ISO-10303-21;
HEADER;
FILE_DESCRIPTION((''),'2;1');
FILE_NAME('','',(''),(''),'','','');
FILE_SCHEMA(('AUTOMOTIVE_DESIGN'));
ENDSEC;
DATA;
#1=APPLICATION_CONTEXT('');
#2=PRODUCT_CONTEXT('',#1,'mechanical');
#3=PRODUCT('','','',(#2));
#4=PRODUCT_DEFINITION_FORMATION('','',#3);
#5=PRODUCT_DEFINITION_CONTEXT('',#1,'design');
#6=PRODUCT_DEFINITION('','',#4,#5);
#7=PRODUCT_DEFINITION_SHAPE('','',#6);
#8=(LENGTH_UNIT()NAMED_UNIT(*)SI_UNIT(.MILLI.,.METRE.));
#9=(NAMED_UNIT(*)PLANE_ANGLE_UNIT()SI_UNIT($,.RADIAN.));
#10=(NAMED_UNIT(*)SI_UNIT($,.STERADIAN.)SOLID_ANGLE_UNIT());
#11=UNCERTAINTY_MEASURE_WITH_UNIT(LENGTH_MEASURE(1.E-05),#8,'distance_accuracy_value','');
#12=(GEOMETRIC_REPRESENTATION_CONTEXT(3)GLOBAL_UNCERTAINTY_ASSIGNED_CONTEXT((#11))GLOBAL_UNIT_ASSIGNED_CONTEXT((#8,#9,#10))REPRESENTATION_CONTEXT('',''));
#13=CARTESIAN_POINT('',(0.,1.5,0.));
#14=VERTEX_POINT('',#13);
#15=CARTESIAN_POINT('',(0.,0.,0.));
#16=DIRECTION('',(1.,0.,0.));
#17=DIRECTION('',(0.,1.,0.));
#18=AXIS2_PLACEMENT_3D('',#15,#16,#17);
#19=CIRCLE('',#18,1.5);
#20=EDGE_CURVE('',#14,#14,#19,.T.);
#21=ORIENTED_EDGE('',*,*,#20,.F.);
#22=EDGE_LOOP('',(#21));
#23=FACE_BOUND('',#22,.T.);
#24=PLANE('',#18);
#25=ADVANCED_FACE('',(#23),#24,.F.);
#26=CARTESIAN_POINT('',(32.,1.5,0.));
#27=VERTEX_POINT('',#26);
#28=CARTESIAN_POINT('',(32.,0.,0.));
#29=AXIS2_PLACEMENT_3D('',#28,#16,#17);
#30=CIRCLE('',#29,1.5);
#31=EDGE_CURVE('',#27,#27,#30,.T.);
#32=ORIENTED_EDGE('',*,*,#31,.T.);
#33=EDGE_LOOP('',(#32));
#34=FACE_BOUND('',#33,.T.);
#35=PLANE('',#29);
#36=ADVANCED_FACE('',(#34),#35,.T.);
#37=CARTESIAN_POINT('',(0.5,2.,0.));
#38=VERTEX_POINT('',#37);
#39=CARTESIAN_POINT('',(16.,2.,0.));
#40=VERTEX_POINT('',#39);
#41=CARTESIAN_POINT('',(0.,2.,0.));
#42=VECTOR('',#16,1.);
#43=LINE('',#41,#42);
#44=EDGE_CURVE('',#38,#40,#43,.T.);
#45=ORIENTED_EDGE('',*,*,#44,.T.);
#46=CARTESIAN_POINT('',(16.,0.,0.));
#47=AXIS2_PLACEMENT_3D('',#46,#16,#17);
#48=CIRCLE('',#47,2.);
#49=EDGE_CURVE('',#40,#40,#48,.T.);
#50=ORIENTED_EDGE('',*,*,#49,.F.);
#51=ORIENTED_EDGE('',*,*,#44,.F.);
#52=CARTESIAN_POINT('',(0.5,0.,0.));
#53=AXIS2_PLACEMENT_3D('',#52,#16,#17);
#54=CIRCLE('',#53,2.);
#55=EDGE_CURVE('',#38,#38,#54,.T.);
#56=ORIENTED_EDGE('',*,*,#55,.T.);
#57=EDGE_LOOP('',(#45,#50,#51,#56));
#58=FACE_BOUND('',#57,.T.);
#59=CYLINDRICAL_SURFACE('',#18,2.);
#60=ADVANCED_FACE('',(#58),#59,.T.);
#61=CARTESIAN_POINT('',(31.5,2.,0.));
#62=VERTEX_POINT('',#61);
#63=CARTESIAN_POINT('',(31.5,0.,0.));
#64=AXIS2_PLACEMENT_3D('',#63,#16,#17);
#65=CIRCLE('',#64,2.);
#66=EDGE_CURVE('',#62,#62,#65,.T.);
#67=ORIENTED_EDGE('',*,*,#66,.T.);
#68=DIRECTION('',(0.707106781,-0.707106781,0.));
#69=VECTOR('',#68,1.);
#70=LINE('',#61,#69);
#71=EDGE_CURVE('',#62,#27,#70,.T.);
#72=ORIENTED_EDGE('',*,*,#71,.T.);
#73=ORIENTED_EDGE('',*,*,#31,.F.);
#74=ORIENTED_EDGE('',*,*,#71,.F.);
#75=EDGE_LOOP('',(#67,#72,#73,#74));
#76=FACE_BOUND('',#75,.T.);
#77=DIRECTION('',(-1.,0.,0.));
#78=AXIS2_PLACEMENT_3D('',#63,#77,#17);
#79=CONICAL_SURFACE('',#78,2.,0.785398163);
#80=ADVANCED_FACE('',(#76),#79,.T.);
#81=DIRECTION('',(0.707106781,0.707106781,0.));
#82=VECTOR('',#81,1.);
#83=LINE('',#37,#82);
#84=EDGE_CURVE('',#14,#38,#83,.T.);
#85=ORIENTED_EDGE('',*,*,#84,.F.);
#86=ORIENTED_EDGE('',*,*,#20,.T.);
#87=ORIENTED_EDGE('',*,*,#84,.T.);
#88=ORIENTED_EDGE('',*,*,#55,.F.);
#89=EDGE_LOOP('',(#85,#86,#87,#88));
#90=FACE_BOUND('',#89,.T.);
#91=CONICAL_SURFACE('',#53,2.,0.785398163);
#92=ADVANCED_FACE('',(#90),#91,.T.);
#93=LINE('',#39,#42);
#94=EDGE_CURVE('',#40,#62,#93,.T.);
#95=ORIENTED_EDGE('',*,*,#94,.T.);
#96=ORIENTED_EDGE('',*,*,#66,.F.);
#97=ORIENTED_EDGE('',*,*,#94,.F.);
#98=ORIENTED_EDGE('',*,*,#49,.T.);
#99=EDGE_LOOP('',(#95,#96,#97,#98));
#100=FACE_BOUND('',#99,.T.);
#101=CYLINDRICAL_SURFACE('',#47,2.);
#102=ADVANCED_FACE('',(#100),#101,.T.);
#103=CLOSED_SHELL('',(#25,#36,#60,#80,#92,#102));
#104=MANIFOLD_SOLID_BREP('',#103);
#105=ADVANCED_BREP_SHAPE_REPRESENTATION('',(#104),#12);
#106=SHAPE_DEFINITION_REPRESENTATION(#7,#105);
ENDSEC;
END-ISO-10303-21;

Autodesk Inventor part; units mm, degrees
ref_plane "Startebene" through (0, 0, 0) normal (1, 0, 0) x (0, 1, 0)
ref_plane "XZ Plane" through (0, 0, 0) normal (0, 1, 0) x (-1, 0, 0)
ref_plane "XY Plane" through (0, 0, 0) normal (0, 0, 1) x (1, 0, 0)
sketch "Hauptskizze" plane through (0, 0, 0) normal (0, 0, 1) x (1, 0, 0)
  line L0 (0, 0) -> (32, 0)
  line L1 (0, 0) -> (0, 2)
  line L2 (0, 2) -> (16, 2)
  line L3 (32, 2) -> (32, 0)
  line L4 (16, 2) -> (32, 2)
  dimension "d3" = 4
  dimension "d5" = 4
revolve "Umdrehung1" add sketch "Hauptskizze" angle 360 about axis through (0, 0, 0) along (1, 0, 0)
chamfer "Fase3" distance 0.5 angle 45 1 edges at (0, -2, 0) measured on face at (10.6667, 1.9741, -0.3208)
chamfer "Fase2" distance 0.5 angle 45 1 edges at (32, -2, 0) measured on face at (26.6667, 1.9935, -0.1609)
properties part number "Welle" material "Steel"
